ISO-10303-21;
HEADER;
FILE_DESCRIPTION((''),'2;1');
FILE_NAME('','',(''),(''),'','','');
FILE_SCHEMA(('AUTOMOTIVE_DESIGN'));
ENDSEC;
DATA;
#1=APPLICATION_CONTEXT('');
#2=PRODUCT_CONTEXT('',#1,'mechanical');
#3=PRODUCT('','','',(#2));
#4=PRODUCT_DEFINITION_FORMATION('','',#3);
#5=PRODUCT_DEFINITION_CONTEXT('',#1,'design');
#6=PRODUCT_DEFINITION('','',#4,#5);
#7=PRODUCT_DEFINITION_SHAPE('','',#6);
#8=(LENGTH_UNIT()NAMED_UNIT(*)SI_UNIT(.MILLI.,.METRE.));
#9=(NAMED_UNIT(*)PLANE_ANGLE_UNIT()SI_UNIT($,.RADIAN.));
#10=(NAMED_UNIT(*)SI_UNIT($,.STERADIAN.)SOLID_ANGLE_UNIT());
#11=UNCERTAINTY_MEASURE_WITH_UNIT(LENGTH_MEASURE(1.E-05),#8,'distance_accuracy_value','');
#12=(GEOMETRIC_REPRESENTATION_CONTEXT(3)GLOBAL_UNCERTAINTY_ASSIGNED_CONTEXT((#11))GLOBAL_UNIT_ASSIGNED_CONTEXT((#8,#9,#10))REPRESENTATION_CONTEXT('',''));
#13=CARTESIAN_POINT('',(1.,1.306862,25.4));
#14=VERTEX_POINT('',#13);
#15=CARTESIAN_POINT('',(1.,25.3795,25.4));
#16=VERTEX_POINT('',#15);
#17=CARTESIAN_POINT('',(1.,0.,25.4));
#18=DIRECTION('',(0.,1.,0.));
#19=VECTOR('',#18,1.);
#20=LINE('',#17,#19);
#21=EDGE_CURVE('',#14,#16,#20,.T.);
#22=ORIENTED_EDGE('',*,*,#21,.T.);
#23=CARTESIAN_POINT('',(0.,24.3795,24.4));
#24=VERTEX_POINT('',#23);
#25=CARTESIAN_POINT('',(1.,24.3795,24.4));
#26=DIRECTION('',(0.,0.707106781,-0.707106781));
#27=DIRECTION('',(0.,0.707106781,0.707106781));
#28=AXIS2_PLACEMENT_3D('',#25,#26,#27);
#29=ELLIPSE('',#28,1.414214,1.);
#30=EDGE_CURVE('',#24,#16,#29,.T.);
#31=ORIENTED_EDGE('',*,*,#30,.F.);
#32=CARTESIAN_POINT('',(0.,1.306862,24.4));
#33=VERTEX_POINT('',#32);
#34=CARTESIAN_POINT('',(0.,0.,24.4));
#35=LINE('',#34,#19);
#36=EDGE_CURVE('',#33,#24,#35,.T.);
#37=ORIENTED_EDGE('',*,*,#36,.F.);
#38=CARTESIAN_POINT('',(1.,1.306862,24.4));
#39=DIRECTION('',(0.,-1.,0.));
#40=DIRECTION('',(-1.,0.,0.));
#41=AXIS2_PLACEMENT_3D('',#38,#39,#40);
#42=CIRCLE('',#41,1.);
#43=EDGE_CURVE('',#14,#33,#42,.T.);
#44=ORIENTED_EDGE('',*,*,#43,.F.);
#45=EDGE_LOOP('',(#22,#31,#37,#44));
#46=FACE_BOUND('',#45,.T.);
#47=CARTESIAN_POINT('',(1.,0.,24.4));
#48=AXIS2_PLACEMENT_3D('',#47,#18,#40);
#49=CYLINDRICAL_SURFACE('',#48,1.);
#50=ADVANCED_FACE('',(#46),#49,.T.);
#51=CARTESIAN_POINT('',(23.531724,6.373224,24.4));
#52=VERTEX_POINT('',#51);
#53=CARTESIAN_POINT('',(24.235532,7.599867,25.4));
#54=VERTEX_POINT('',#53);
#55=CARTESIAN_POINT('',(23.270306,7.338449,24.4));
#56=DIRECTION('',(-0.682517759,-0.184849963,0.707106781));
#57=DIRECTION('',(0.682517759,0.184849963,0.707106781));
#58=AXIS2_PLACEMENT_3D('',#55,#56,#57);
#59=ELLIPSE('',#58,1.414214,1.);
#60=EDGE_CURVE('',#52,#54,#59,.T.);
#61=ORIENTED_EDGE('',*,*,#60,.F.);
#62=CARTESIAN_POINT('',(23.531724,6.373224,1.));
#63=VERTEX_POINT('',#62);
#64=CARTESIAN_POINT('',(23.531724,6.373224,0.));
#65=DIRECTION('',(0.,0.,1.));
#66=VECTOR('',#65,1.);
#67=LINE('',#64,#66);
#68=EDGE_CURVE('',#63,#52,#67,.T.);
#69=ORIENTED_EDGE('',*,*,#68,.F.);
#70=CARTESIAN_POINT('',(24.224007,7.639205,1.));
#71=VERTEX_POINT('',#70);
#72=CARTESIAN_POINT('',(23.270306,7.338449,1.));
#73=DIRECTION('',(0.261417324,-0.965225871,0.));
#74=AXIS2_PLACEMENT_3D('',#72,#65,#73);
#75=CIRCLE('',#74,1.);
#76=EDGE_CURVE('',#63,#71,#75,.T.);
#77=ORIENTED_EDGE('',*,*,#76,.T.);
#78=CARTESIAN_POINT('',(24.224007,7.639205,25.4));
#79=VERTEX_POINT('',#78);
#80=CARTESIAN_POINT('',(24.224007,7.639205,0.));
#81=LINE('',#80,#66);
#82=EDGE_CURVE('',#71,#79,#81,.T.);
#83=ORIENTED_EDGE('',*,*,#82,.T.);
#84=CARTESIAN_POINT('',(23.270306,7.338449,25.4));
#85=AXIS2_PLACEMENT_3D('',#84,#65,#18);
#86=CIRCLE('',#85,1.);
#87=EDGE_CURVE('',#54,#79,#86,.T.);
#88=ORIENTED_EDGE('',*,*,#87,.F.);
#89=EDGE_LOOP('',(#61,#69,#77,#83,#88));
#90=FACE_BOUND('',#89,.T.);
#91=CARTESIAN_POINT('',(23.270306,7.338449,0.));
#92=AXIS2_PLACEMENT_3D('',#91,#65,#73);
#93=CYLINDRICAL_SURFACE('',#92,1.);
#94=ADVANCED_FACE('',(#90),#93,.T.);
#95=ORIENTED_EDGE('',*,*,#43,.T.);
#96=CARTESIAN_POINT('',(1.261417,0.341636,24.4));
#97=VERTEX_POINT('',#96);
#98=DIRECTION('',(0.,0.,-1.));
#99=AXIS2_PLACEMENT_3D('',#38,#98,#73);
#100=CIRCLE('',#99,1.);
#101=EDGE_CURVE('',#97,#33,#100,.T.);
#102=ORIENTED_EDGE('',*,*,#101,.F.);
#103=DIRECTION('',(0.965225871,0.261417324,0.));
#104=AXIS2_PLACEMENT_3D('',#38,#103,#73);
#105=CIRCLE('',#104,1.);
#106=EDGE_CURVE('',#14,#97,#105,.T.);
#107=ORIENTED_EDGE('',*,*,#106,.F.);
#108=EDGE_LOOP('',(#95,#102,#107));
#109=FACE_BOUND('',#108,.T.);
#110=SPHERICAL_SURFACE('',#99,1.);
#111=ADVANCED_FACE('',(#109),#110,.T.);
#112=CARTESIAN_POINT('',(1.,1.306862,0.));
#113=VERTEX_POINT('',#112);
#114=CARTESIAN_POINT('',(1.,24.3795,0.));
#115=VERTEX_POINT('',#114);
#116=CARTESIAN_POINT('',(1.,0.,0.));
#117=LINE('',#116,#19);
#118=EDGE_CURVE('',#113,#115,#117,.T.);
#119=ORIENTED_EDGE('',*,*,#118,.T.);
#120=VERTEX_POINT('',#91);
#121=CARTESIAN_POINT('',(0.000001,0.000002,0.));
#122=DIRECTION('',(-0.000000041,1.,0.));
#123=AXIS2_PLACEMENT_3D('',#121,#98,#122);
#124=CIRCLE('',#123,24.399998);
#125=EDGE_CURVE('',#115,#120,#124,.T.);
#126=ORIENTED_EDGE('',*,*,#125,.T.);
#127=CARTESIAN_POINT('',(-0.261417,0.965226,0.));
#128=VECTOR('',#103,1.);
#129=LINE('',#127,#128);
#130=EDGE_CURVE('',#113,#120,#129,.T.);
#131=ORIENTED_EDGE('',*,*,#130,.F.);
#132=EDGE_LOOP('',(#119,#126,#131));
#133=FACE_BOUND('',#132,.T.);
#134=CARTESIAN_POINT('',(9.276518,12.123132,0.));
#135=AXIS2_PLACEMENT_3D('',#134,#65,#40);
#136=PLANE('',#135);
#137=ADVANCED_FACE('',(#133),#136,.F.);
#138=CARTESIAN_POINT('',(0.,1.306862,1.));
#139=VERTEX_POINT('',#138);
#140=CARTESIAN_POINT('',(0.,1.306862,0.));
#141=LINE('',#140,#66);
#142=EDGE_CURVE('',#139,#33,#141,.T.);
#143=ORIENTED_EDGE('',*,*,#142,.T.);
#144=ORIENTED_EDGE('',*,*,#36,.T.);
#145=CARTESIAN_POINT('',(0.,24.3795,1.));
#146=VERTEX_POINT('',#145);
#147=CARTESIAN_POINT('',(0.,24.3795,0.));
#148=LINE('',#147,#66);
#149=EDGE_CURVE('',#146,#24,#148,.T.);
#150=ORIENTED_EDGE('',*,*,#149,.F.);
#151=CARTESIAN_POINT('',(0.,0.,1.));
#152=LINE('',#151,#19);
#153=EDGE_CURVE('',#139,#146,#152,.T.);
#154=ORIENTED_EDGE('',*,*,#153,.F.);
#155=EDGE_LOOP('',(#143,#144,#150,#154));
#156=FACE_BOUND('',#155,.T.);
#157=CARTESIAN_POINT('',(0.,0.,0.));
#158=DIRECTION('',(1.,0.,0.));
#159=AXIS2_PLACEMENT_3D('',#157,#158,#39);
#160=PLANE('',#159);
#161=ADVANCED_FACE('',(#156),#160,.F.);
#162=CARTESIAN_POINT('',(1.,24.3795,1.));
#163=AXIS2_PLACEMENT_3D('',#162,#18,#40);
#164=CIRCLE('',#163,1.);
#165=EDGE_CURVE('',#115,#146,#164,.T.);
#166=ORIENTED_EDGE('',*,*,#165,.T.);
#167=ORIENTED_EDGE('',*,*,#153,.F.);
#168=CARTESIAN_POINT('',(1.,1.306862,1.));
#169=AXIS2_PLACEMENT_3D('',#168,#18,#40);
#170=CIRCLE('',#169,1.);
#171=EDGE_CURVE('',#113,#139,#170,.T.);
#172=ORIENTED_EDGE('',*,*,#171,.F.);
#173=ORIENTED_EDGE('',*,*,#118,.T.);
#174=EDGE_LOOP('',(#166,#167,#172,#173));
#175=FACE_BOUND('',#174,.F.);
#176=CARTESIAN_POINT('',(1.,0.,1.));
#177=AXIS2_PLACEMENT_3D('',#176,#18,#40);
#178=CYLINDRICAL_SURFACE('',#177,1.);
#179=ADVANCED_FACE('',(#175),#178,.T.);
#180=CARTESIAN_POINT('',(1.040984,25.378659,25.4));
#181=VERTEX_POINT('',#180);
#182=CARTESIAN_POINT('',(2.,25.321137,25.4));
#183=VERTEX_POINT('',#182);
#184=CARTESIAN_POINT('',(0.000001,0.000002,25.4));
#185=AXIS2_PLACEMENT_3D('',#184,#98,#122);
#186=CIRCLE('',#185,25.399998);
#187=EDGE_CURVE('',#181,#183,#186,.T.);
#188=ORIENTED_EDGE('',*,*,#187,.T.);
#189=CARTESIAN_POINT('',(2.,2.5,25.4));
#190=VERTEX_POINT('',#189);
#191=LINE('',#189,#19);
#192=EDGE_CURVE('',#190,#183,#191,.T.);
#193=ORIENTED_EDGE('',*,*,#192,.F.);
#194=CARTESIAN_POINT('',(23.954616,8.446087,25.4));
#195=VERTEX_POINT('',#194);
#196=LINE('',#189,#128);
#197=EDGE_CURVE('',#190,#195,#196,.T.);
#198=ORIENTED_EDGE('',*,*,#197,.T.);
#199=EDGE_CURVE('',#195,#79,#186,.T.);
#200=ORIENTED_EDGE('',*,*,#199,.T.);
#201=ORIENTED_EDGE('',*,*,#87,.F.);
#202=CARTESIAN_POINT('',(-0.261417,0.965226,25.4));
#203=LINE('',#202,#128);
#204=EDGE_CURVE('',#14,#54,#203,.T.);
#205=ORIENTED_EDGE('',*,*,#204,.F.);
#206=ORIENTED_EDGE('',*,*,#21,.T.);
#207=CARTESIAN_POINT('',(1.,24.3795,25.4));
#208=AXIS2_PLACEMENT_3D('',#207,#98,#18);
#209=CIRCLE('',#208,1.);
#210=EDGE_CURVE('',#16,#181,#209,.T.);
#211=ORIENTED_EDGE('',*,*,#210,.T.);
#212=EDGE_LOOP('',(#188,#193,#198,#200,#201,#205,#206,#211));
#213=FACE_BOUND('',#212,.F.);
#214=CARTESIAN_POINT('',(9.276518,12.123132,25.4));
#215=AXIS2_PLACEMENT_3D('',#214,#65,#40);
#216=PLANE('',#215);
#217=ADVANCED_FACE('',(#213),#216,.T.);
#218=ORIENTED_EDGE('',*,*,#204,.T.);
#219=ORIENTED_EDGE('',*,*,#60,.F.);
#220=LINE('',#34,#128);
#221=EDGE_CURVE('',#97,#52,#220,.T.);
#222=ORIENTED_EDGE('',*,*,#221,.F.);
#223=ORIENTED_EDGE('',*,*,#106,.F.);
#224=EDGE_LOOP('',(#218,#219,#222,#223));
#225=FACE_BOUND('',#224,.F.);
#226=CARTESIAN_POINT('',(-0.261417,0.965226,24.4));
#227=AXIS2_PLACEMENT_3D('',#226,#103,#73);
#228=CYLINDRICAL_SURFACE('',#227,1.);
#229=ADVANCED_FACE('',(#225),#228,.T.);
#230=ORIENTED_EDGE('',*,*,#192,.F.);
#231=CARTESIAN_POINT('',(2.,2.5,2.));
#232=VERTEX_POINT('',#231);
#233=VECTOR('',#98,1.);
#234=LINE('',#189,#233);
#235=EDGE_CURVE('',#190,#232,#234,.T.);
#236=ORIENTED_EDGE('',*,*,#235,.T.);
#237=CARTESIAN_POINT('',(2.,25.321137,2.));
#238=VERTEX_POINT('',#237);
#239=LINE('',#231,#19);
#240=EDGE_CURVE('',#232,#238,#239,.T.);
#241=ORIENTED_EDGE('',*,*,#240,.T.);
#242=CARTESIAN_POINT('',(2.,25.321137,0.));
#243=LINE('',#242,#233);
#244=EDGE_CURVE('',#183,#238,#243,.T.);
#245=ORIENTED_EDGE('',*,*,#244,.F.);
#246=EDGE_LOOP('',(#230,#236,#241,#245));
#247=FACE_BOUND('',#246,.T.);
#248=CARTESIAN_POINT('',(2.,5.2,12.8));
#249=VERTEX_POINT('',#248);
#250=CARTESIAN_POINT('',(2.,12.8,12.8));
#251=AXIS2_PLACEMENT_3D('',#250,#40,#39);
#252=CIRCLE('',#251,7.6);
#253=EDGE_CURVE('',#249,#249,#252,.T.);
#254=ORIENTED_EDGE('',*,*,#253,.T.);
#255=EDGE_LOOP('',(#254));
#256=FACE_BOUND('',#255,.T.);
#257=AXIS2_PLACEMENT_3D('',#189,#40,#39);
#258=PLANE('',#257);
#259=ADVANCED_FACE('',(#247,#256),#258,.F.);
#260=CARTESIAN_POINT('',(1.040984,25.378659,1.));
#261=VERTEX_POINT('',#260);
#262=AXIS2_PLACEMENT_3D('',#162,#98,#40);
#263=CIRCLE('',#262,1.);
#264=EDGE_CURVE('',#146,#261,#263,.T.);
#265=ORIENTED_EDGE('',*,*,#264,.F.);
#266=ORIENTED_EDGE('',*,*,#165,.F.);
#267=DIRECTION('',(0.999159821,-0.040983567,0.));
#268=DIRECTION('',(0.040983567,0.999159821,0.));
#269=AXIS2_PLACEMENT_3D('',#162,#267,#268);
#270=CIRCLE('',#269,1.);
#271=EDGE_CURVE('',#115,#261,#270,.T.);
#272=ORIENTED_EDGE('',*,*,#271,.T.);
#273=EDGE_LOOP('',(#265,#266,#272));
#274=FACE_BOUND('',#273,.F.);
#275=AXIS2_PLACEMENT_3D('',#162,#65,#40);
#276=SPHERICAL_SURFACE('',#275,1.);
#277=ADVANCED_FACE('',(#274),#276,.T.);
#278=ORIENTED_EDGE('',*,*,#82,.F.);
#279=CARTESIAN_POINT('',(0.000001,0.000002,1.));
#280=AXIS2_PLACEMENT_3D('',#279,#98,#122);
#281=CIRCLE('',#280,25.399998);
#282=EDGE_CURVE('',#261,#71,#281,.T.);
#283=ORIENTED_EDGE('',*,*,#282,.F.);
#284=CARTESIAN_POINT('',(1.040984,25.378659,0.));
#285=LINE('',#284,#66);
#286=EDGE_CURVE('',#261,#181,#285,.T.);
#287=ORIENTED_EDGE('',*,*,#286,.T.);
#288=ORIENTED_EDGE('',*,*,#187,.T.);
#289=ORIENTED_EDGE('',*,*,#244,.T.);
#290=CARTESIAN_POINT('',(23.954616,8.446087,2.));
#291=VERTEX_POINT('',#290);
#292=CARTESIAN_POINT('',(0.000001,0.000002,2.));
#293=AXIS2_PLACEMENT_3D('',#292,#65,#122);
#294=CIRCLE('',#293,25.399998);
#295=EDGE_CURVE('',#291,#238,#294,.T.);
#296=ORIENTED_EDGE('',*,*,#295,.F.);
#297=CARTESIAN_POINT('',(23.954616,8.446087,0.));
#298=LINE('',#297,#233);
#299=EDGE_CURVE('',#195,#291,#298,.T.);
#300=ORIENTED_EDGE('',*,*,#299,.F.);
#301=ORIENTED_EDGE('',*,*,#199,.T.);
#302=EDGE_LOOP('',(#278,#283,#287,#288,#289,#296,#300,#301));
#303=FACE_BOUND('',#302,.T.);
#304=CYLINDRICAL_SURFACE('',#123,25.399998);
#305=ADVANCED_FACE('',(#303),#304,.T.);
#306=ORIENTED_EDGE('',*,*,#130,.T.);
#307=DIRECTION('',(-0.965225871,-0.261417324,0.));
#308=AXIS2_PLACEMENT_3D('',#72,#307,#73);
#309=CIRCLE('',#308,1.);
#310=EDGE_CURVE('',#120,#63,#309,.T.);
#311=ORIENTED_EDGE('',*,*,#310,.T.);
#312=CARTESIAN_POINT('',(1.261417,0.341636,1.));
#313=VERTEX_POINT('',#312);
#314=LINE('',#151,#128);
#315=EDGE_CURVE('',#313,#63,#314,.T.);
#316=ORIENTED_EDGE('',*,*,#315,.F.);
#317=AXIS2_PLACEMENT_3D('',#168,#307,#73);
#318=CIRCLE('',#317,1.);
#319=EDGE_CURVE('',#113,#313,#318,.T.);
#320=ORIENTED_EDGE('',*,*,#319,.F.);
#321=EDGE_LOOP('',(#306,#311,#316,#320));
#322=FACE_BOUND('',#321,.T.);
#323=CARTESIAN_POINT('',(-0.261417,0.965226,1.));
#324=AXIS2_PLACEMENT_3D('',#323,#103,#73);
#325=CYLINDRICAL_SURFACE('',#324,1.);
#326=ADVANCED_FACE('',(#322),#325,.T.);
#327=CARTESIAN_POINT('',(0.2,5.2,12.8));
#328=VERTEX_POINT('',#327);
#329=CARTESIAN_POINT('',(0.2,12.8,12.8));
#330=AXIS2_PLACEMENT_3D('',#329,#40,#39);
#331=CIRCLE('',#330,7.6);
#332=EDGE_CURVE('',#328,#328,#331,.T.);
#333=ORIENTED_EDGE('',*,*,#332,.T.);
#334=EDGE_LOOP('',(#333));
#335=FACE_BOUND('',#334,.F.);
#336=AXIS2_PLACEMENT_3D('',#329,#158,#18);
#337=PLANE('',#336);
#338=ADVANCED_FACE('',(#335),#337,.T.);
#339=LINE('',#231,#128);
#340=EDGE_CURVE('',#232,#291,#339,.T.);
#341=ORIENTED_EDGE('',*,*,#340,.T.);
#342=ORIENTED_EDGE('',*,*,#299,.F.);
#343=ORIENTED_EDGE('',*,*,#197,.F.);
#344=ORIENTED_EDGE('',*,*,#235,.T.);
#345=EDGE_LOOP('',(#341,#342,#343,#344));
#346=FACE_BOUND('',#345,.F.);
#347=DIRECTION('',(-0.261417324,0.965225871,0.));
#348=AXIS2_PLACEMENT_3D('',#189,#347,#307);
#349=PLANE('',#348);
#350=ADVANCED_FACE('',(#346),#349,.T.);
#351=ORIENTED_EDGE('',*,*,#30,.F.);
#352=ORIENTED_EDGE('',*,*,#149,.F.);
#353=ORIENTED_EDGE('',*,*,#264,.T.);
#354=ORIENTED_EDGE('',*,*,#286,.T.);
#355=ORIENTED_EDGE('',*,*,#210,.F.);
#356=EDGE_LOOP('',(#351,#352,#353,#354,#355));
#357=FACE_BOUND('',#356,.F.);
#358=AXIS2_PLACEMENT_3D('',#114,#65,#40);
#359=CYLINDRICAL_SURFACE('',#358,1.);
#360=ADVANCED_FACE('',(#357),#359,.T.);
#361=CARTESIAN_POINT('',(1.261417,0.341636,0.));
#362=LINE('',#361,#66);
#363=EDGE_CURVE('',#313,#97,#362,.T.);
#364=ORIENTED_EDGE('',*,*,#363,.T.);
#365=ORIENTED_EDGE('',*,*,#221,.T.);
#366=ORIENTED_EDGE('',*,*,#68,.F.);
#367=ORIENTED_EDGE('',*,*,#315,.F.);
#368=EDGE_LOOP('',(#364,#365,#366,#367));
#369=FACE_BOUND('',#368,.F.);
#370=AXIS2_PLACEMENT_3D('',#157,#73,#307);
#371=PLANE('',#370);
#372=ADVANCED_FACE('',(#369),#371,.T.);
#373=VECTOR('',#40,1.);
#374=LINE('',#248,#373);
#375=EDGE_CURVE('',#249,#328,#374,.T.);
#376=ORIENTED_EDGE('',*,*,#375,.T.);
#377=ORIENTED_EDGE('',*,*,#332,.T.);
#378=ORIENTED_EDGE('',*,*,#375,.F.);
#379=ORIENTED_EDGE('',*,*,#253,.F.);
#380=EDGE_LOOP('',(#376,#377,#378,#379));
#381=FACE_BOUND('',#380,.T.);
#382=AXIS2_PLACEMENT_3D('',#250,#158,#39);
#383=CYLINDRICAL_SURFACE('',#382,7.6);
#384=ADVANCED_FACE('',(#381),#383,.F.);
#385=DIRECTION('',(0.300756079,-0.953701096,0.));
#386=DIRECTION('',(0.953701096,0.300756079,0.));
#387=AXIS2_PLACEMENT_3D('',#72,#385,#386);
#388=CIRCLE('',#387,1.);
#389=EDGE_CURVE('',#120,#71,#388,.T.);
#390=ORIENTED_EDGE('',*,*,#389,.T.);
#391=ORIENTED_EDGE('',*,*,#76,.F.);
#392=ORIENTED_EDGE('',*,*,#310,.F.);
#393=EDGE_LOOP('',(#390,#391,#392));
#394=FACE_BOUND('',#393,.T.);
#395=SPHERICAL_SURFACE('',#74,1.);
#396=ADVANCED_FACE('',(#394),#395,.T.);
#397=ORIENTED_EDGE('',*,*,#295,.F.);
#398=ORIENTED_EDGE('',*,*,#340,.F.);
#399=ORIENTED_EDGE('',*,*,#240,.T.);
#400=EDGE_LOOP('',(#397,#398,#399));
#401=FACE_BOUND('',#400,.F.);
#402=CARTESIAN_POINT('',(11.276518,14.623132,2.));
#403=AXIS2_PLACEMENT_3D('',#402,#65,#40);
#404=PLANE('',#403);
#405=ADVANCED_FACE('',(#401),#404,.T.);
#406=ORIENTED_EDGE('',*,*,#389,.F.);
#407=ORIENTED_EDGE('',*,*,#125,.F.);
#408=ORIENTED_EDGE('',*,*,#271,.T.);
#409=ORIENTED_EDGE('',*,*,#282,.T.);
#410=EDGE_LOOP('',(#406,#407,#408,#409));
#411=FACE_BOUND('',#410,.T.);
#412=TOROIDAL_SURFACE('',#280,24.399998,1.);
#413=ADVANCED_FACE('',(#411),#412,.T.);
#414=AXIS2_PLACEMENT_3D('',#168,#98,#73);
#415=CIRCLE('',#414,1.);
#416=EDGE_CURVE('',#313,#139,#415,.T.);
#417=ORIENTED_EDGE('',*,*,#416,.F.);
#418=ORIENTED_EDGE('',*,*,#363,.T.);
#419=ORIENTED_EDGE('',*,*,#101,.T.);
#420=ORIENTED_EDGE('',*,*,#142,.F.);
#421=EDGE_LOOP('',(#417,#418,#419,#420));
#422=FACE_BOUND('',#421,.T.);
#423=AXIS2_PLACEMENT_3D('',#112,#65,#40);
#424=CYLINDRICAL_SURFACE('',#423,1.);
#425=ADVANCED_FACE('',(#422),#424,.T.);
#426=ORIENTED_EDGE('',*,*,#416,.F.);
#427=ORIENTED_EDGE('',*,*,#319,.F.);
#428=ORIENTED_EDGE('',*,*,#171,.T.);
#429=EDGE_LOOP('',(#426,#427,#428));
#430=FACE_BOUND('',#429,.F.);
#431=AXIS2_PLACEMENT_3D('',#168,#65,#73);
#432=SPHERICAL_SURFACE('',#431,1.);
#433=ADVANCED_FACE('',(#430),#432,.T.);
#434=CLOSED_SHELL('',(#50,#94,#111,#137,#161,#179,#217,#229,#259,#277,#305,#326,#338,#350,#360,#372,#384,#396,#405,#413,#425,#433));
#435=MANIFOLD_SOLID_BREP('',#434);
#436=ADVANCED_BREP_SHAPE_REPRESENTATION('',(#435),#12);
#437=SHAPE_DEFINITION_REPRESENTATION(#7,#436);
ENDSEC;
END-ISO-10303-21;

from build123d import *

# Parameters (mm, degrees)
PAD_DEPTH       = 25.4
POCKET_DEPTH    = 23.4
SKETCH002_R     = 7.6
POCKET001_DEPTH = 1.8
FILLET_R        = 1


with BuildPart() as corner:
    # Sketch → Pad (new body)
    with BuildSketch(Plane.XY):
        with BuildLine():
            Line((0, 0), (0, -25.4))
            ThreePointArc((0, -25.4), (15.435414, -20.171961), (24.516737, -6.64))
            Line((0, 0), (24.516737, -6.64))
        make_face()
    extrude(amount=PAD_DEPTH)

    # Sketch001 (on Face5 of Pad) → Pocket (cut)
    with BuildSketch(Plane.XY.offset(25.4)):
        with BuildLine():
            Line((2, -2.5), (2, -27.9))
            ThreePointArc((2, -27.9), (17.435414, -22.671961), (26.516737, -9.14))
            Line((2, -2.5), (26.516737, -9.14))
        make_face()
    extrude(amount=-POCKET_DEPTH, mode=Mode.SUBTRACT)

    # Sketch002 (on Face8 of Pocket) → Pocket001 (cut)
    with BuildSketch(Plane.YZ.offset(2)):
        with Locations((-12.8, 12.8)):
            Circle(SKETCH002_R)
    extrude(amount=-POCKET001_DEPTH, mode=Mode.SUBTRACT)

    # Fillet
    fillet_edges = [corner.edges().sort_by_distance(p)[0] for p in [
        (0, 0, 12.7),
        (12.258369, -3.32, 25.4),
        (24.516737, -6.64, 12.7),
        (12.258369, -3.32, 0),
        (0, -12.7, 0),
        (15.435414, -20.171961, 0),
        (0, -25.4, 12.7),
        (0, -12.7, 25.4),
    ]]
    fillet(fillet_edges, radius=FILLET_R)


with BuildPart() as part_mirroring:
    # Part__Mirroring: instance of Corner
    add(corner.part.mirror(Plane(origin=(0, 0, 0), x_dir=(1, 0, 0), z_dir=(0, 1, 0))))


solid = part_mirroring.part
